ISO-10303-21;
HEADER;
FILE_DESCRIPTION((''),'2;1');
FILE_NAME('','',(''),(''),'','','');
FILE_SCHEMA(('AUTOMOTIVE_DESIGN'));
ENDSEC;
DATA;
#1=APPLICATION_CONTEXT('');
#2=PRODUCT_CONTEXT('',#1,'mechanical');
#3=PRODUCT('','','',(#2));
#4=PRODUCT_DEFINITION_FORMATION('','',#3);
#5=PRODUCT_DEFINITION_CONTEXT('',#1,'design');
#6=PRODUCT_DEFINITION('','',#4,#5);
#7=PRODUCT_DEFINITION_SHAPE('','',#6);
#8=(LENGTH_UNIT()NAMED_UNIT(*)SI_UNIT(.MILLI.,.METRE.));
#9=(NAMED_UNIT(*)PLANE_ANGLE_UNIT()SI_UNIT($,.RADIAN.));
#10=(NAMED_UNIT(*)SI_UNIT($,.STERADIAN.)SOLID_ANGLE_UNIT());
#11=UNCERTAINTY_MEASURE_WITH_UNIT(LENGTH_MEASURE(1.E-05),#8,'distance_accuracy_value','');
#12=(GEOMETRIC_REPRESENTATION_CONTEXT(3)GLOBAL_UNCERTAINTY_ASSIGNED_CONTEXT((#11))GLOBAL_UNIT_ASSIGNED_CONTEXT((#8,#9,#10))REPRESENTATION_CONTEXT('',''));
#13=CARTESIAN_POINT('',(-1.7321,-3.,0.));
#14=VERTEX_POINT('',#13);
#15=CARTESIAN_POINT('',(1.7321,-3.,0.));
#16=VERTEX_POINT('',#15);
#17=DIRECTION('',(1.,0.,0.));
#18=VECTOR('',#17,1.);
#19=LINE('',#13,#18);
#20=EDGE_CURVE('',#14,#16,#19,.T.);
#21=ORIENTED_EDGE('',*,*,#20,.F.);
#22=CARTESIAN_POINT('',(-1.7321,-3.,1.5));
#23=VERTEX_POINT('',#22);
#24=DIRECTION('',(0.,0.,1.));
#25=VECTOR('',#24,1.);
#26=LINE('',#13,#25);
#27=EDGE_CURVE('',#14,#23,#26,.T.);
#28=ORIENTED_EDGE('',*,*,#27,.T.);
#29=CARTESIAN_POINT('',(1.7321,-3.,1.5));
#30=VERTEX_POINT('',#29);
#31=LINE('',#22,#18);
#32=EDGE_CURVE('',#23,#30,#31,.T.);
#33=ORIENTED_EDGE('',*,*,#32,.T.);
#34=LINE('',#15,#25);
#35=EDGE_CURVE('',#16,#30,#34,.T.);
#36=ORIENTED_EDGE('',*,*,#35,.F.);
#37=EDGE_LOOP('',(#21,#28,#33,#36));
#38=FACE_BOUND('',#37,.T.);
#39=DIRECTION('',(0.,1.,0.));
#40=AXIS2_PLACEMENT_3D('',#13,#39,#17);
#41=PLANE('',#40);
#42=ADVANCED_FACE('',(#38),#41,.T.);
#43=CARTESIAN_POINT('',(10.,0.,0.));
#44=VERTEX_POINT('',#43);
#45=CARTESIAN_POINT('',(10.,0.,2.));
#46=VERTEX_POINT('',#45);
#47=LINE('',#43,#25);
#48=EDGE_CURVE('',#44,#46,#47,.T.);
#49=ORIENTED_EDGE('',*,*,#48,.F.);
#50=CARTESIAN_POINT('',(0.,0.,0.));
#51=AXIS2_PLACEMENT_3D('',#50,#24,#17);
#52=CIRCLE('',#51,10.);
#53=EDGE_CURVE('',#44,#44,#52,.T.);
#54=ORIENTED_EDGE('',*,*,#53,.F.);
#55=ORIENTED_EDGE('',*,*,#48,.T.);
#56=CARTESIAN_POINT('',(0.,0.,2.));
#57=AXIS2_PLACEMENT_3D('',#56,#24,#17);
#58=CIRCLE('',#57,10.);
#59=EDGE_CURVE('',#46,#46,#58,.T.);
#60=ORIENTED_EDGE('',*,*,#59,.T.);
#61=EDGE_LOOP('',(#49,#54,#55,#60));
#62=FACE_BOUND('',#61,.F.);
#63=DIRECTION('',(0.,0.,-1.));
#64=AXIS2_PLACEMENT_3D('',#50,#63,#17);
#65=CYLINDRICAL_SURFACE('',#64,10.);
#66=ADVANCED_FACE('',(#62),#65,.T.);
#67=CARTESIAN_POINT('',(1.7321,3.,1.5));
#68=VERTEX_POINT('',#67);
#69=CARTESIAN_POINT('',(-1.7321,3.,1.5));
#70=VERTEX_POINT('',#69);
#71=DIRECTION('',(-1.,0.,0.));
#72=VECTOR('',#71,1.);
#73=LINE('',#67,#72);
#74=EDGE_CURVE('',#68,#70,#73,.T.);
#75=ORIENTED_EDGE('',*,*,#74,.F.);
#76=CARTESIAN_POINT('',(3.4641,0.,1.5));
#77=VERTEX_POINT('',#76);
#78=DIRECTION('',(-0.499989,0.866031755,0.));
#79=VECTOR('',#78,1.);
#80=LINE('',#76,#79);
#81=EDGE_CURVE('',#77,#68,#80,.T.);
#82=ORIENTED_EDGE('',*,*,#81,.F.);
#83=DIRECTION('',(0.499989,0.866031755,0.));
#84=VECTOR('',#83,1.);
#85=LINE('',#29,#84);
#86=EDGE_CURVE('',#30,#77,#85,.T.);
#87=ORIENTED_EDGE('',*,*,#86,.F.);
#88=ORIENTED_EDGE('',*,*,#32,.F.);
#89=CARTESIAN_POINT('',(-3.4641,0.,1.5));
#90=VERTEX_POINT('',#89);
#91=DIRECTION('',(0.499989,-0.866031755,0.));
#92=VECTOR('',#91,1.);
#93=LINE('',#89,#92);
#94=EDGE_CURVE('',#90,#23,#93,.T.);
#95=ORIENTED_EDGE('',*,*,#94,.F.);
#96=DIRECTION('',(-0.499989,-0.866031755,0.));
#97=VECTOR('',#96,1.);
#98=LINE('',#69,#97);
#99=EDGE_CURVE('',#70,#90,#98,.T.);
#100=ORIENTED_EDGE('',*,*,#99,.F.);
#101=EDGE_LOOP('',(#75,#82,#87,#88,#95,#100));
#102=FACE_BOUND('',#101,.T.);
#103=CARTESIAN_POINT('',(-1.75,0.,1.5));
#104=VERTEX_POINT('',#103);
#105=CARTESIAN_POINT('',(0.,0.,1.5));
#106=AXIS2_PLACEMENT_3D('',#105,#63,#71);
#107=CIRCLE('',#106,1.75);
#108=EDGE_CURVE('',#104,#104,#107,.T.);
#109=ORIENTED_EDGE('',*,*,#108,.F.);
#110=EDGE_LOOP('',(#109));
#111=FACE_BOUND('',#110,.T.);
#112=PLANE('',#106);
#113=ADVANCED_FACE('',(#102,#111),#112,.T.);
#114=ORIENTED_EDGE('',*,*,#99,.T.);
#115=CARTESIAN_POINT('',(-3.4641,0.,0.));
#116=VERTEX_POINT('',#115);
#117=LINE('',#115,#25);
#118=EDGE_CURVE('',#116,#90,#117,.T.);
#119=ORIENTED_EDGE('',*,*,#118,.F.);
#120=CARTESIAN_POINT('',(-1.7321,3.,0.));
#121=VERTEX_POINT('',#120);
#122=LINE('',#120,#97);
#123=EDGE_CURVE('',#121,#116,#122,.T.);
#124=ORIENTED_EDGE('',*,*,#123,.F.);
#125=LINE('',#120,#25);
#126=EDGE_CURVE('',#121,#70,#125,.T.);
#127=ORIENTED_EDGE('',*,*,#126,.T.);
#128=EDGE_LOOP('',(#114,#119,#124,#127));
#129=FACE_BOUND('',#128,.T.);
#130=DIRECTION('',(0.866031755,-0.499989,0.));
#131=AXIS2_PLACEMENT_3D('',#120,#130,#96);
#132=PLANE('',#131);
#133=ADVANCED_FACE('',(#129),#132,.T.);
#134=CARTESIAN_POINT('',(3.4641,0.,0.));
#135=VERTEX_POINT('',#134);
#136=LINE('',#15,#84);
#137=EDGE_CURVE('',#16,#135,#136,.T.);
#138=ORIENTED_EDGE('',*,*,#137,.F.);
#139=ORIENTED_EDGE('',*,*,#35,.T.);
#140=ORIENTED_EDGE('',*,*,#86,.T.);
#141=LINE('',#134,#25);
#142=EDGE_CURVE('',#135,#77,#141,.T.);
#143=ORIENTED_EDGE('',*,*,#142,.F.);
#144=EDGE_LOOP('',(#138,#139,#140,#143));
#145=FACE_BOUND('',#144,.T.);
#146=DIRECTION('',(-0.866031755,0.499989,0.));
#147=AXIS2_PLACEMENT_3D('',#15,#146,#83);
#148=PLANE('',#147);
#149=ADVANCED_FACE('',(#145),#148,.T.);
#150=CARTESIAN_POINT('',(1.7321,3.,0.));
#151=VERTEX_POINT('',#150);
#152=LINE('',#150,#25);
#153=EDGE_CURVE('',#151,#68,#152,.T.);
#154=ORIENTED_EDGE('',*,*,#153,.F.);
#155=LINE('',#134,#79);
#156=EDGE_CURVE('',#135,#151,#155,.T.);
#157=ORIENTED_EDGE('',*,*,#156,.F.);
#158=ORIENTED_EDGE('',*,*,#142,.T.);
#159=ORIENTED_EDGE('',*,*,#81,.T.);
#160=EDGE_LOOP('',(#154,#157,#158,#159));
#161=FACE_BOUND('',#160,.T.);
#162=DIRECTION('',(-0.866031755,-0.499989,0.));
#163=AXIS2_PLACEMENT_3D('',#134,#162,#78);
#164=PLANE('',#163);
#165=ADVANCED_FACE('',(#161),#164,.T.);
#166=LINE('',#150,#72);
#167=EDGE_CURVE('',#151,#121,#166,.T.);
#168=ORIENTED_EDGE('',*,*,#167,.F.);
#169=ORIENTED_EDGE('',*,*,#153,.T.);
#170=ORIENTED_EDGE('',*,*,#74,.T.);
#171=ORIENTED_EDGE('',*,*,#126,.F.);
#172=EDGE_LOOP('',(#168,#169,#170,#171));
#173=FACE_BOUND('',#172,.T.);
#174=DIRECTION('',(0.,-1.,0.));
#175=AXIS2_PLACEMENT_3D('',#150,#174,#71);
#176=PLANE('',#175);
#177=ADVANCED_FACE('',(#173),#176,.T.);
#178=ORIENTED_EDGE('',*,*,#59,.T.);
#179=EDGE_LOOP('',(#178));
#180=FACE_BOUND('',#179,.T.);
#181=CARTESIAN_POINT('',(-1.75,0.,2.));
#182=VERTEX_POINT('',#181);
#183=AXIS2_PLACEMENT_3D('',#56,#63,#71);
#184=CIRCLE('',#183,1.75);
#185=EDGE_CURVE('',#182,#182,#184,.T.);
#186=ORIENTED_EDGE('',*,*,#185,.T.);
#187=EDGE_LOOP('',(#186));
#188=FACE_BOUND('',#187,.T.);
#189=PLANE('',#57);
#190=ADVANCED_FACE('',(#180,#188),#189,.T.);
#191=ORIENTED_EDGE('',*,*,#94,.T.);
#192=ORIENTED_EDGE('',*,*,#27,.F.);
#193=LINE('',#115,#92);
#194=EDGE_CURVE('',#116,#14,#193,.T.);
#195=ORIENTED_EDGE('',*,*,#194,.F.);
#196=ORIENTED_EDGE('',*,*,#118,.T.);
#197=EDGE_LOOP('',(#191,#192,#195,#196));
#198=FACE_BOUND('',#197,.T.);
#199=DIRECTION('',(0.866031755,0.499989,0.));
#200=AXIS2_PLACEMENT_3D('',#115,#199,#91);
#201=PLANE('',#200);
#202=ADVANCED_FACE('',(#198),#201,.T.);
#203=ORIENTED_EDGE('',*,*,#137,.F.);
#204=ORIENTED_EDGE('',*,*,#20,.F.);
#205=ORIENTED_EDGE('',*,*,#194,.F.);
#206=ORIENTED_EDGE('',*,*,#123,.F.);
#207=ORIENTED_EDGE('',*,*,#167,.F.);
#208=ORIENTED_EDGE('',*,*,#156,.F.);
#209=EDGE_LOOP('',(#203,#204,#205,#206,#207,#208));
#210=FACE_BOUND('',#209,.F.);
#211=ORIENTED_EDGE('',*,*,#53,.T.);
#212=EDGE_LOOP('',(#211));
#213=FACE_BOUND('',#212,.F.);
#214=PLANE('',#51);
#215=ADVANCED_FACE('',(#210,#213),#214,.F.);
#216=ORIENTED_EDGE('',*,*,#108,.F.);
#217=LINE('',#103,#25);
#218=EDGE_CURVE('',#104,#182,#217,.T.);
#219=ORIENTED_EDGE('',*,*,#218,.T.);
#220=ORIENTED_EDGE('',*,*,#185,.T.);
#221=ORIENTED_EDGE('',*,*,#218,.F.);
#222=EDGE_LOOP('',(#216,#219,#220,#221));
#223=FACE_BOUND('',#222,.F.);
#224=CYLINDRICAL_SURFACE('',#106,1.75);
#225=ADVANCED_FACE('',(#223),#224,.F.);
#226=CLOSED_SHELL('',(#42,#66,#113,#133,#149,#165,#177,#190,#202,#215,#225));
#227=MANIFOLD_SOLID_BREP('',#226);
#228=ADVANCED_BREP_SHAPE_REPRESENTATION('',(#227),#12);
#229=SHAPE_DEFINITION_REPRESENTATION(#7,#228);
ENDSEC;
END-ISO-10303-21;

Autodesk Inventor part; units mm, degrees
ref_plane "YZ Plane" through (0, 0, 0) normal (1, 0, 0) x (0, 1, 0)
ref_plane "XZ Plane" through (0, 0, 0) normal (0, 1, 0) x (-1, 0, 0)
ref_plane "XY Plane" through (0, 0, 0) normal (0, 0, 1) x (1, 0, 0)
sketch "Эскиз1" plane through (0, 0, 0) normal (0, 0, 1) x (1, 0, 0)
  circle A0 centre (0, 0) radius 10
  dimension "d0" = 20
extrude "Выдавливание1" add sketch "Эскиз1" along normal blind 2
sketch "Эскиз2" plane through (0, 0, 0) normal (0, 0, -1) x (-1, 0, 0)
  circle A0 centre (0, 0) radius 3 construction
  line L0 (1.7321, 3) -> (3.4641, 0)
  line L1 (3.4641, 0) -> (1.7321, -3)
  line L2 (1.7321, -3) -> (-1.7321, -3)
  line L3 (-1.7321, -3) -> (-3.4641, 0)
  line L4 (-3.4641, 0) -> (-1.7321, 3)
  line L5 (-1.7321, 3) -> (1.7321, 3)
  point P0 (0, 3)
  dimension "d3" = 6
extrude "Выдавливание2" cut sketch "Эскиз2" against normal blind 1.5
sketch "Эскиз3" plane through (0, 0, 1.5) normal (0, 0, -1) x (-1, 0, 0)
  circle A0 centre (0, 0) radius 1.75
  dimension "d6" = 3.5
extrude "Выдавливание3" cut sketch "Эскиз3" against normal blind 10
properties part number "hand2"
